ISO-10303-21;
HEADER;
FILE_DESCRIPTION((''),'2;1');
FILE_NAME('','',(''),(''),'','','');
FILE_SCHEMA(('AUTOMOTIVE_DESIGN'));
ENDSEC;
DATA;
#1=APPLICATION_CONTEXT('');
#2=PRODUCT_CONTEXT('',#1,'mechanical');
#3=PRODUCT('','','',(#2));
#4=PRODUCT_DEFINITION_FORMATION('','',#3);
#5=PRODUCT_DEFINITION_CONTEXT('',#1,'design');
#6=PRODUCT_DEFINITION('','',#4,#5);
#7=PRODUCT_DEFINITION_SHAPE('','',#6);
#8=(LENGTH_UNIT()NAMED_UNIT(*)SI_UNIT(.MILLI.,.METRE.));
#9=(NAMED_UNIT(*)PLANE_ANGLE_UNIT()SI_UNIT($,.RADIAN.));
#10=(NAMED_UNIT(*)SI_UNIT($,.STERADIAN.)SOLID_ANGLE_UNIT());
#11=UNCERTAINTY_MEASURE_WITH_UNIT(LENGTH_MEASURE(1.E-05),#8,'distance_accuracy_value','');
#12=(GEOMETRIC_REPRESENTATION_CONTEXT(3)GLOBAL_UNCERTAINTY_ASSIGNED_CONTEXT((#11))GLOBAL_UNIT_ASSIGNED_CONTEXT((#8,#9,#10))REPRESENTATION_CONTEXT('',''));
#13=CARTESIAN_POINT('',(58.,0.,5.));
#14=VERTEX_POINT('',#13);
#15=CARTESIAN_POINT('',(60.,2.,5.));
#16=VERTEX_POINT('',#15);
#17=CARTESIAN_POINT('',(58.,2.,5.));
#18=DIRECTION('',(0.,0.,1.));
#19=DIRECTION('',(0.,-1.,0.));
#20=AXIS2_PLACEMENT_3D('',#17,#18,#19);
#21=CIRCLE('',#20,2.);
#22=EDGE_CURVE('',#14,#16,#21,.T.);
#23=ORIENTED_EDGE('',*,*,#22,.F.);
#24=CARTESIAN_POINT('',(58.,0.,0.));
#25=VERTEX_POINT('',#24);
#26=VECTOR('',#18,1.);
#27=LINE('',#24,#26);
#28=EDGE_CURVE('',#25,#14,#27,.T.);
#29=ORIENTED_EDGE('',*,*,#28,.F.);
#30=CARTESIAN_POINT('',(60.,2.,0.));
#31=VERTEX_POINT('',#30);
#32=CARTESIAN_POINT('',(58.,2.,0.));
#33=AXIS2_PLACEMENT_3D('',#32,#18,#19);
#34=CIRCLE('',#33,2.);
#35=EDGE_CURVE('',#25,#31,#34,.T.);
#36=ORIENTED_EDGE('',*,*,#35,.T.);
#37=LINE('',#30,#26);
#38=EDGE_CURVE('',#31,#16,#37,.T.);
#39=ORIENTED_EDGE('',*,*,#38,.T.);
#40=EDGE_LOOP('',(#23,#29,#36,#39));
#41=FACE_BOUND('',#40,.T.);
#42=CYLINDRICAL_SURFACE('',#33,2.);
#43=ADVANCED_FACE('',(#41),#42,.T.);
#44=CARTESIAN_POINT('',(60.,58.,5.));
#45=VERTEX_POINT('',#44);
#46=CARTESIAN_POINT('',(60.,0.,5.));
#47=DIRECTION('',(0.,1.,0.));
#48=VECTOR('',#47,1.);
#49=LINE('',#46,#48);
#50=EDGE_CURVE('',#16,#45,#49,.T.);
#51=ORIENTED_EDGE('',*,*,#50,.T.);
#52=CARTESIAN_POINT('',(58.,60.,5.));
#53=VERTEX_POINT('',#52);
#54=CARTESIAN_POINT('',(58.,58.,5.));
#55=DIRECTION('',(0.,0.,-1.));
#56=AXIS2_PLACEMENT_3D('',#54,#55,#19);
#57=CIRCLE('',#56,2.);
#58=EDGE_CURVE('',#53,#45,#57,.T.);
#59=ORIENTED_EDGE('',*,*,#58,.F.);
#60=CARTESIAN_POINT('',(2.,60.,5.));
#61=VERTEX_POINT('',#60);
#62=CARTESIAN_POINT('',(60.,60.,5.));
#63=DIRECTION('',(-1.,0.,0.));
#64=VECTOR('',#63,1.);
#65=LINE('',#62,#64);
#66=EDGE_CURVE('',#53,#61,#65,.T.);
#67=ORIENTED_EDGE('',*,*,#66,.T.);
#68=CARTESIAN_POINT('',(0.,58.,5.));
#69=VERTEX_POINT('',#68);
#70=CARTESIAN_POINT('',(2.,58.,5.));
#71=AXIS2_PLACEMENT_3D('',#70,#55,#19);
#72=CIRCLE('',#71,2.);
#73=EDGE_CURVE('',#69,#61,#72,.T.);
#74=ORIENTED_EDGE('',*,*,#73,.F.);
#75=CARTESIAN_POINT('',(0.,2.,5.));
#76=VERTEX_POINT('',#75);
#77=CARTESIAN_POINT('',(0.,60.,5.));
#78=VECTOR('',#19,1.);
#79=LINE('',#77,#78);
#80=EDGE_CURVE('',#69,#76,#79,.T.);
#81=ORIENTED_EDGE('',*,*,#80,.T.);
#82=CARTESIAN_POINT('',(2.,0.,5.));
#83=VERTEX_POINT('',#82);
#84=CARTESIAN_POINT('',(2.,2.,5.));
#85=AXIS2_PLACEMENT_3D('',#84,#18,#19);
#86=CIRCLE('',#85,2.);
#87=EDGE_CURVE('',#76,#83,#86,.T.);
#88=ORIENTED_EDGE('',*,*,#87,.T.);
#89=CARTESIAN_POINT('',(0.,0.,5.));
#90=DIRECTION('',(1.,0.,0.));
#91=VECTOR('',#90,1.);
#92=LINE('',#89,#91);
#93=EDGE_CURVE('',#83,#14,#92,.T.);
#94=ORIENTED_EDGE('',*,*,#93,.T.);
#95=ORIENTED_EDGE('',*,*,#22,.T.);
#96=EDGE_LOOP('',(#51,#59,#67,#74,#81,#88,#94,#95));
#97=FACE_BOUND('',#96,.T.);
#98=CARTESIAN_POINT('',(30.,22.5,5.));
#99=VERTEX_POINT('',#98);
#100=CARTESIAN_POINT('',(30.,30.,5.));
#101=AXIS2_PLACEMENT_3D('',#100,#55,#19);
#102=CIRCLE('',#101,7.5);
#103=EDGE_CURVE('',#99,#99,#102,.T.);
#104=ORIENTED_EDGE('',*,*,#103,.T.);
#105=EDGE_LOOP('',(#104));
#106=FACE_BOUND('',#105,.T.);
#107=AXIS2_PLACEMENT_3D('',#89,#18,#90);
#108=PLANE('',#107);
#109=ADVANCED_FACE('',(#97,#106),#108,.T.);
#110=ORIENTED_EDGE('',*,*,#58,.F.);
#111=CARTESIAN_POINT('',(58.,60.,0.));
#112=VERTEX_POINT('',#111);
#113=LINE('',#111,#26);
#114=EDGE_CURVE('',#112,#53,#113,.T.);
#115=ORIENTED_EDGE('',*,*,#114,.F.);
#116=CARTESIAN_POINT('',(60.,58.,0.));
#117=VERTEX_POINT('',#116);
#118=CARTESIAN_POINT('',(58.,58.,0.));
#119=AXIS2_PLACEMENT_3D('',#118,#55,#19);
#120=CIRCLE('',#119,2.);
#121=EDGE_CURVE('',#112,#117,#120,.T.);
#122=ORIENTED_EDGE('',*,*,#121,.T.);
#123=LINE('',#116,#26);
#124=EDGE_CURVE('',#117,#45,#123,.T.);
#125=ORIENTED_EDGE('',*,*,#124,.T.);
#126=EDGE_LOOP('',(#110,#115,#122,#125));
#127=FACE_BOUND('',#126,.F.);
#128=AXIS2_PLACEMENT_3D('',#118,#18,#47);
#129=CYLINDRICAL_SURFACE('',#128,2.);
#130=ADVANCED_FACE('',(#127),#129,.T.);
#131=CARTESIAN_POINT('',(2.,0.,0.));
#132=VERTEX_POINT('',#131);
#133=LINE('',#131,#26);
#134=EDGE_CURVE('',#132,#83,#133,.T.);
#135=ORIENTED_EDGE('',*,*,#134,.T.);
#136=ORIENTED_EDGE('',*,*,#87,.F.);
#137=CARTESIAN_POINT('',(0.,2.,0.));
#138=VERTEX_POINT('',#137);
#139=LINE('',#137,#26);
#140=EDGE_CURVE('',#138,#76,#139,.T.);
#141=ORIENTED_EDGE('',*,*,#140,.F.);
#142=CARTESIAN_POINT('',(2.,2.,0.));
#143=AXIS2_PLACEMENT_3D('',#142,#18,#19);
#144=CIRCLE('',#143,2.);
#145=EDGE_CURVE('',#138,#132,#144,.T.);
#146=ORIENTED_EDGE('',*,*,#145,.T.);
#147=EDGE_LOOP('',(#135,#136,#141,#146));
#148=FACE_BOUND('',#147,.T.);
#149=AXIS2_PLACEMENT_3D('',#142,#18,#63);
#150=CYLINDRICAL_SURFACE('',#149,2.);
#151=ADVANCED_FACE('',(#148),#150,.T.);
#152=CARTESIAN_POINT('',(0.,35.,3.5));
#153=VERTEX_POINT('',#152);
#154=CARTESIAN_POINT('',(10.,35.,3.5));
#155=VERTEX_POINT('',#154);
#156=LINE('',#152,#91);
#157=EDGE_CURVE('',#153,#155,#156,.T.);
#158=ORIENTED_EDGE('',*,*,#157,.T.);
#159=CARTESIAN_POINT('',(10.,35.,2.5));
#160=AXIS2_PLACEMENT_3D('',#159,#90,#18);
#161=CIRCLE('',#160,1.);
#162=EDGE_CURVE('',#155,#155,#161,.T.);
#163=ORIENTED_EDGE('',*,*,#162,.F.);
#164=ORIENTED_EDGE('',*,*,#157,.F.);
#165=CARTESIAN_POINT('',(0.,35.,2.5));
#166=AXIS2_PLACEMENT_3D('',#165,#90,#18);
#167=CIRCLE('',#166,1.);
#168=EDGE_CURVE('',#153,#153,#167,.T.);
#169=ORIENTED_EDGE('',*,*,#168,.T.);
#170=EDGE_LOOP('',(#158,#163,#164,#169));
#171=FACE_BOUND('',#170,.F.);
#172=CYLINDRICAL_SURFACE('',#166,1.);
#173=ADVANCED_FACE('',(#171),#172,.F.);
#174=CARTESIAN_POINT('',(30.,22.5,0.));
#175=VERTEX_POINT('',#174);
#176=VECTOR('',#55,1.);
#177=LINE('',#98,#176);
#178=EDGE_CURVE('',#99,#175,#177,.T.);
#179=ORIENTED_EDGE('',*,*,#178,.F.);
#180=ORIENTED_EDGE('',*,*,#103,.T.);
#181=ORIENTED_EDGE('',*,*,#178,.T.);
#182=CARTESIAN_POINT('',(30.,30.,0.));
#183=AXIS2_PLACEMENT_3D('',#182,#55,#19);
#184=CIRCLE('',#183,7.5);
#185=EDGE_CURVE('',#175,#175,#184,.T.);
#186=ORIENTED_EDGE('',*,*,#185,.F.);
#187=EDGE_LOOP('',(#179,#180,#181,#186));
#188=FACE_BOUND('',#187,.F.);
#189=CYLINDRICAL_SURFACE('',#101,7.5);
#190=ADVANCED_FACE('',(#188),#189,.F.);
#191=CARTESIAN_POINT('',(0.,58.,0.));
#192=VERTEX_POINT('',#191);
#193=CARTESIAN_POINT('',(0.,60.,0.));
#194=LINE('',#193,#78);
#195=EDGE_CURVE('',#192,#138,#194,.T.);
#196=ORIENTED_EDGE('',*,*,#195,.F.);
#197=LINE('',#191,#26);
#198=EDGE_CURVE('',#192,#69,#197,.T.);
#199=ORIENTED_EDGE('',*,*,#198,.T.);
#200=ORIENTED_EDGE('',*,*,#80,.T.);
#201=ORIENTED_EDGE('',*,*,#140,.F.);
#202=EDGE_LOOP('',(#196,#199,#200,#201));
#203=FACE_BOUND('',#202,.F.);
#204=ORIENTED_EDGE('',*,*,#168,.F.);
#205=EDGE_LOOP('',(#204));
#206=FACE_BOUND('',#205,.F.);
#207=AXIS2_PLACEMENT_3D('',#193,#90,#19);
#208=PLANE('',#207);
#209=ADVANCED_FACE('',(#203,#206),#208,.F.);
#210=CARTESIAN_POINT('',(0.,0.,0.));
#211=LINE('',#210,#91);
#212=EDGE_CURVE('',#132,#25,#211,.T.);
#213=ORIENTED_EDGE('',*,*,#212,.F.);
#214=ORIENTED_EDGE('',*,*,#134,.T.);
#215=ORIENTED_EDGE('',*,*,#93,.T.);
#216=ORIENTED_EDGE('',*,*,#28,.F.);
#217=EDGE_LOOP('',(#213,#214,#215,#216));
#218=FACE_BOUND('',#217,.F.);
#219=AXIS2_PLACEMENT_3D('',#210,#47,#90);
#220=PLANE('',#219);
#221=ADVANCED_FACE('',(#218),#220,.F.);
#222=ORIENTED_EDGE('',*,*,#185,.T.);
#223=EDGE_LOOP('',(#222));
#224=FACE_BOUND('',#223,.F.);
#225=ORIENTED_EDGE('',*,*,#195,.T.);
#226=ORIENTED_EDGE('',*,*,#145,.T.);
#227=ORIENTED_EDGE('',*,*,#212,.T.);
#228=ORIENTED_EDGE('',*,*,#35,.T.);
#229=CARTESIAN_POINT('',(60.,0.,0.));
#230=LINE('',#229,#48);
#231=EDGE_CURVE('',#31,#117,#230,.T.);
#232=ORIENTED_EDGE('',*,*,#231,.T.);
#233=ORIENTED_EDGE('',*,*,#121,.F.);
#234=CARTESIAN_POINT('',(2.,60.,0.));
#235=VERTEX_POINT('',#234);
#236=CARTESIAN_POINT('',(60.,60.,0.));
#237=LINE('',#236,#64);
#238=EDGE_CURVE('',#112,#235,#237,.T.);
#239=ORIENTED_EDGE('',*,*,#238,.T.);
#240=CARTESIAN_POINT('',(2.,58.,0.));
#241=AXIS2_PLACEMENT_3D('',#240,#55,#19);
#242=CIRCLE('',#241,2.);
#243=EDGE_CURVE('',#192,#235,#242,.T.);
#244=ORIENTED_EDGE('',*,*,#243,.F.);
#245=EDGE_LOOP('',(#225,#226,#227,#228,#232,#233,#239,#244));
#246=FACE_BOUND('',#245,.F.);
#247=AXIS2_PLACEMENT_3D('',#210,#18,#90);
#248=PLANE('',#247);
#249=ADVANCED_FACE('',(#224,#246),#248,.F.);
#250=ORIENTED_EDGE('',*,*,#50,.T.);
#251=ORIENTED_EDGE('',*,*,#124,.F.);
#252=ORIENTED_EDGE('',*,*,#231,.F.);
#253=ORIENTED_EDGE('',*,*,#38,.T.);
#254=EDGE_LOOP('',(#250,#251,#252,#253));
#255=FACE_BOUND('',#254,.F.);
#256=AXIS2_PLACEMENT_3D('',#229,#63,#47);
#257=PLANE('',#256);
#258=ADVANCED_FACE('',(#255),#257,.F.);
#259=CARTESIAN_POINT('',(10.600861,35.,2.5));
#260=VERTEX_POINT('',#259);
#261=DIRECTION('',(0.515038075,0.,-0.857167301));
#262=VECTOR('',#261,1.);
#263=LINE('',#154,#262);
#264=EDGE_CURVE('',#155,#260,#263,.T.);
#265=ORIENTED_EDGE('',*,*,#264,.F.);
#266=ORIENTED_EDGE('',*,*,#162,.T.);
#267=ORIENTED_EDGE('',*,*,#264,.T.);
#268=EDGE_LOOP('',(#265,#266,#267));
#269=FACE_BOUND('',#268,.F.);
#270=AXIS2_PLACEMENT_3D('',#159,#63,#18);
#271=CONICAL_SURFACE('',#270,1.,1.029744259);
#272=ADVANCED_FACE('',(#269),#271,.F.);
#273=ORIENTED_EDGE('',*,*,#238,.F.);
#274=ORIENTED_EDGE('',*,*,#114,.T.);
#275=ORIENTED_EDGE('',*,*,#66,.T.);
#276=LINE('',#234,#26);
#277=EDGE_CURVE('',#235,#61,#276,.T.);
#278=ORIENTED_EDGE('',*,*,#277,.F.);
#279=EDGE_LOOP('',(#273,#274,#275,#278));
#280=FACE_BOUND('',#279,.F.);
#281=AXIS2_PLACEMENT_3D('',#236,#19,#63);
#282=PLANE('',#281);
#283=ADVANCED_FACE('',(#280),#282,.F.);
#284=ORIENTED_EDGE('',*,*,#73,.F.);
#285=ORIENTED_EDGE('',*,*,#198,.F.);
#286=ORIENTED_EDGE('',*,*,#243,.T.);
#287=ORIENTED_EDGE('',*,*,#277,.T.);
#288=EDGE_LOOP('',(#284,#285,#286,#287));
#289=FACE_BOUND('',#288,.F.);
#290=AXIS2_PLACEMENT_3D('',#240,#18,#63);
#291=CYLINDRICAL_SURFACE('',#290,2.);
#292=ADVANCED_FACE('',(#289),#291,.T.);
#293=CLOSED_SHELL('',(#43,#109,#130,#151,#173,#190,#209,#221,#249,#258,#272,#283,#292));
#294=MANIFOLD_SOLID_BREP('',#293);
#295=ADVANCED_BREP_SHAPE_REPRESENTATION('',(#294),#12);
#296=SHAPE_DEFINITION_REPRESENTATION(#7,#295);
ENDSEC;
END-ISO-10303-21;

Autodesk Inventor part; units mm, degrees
ref_plane "YZ Plane" through (0, 0, 0) normal (1, 0, 0) x (0, 1, 0)
ref_plane "XZ Plane" through (0, 0, 0) normal (0, 1, 0) x (-1, 0, 0)
ref_plane "XY Plane" through (0, 0, 0) normal (0, 0, 1) x (1, 0, 0)
sketch "Sketch1" plane through (0, 0, 0) normal (0, 0, 1) x (1, 0, 0)
  line L0 (0, 0) -> (60, 0)
  line L1 (60, 0) -> (60, 60)
  line L2 (60, 60) -> (0, 60)
  line L3 (0, 60) -> (0, 0)
  dimension "d0" = 60
  dimension "d1" = 60
extrude "Extrusion1" add sketch "Sketch1" along normal blind 5
sketch "Sketch2" plane through (0, 0, 5) normal (0, 0, 1) x (1, 0, 0)
  line L0 (60, 60) -> (0, 60) projected
  line L1 (60, 0) -> (60, 60) projected
  point P0 (0, 0)
  point P1 (30, 30)
  dimension "d4" = 30
  dimension "d5" = 30
hole "Hole1" at (30, 30, 5) direction (0, 0, -1) diameter 15 end through all
fillet "Fillet1" radius 2 4 edges at (60, 60, 2.5) (60, 0, 2.5) (0, 0, 2.5) (0, 60, 2.5)
sketch "Sketch5" plane through (0, 2, 0) normal (-1, 0, 0) x (0, 0, 1)
  line L0 (0, 56) -> (0, 0) projected
  line L1 (0, -2) -> (5, -2) projected
  point P0 (2.5, 33)
  dimension "d36" = 2.5
  dimension "d37" = 35
hole "Hole4" at (0, 35, 2.5) direction (1, 0, 0) diameter 2 depth 10 tip angle 118
properties part number "Motor clamp p1"
